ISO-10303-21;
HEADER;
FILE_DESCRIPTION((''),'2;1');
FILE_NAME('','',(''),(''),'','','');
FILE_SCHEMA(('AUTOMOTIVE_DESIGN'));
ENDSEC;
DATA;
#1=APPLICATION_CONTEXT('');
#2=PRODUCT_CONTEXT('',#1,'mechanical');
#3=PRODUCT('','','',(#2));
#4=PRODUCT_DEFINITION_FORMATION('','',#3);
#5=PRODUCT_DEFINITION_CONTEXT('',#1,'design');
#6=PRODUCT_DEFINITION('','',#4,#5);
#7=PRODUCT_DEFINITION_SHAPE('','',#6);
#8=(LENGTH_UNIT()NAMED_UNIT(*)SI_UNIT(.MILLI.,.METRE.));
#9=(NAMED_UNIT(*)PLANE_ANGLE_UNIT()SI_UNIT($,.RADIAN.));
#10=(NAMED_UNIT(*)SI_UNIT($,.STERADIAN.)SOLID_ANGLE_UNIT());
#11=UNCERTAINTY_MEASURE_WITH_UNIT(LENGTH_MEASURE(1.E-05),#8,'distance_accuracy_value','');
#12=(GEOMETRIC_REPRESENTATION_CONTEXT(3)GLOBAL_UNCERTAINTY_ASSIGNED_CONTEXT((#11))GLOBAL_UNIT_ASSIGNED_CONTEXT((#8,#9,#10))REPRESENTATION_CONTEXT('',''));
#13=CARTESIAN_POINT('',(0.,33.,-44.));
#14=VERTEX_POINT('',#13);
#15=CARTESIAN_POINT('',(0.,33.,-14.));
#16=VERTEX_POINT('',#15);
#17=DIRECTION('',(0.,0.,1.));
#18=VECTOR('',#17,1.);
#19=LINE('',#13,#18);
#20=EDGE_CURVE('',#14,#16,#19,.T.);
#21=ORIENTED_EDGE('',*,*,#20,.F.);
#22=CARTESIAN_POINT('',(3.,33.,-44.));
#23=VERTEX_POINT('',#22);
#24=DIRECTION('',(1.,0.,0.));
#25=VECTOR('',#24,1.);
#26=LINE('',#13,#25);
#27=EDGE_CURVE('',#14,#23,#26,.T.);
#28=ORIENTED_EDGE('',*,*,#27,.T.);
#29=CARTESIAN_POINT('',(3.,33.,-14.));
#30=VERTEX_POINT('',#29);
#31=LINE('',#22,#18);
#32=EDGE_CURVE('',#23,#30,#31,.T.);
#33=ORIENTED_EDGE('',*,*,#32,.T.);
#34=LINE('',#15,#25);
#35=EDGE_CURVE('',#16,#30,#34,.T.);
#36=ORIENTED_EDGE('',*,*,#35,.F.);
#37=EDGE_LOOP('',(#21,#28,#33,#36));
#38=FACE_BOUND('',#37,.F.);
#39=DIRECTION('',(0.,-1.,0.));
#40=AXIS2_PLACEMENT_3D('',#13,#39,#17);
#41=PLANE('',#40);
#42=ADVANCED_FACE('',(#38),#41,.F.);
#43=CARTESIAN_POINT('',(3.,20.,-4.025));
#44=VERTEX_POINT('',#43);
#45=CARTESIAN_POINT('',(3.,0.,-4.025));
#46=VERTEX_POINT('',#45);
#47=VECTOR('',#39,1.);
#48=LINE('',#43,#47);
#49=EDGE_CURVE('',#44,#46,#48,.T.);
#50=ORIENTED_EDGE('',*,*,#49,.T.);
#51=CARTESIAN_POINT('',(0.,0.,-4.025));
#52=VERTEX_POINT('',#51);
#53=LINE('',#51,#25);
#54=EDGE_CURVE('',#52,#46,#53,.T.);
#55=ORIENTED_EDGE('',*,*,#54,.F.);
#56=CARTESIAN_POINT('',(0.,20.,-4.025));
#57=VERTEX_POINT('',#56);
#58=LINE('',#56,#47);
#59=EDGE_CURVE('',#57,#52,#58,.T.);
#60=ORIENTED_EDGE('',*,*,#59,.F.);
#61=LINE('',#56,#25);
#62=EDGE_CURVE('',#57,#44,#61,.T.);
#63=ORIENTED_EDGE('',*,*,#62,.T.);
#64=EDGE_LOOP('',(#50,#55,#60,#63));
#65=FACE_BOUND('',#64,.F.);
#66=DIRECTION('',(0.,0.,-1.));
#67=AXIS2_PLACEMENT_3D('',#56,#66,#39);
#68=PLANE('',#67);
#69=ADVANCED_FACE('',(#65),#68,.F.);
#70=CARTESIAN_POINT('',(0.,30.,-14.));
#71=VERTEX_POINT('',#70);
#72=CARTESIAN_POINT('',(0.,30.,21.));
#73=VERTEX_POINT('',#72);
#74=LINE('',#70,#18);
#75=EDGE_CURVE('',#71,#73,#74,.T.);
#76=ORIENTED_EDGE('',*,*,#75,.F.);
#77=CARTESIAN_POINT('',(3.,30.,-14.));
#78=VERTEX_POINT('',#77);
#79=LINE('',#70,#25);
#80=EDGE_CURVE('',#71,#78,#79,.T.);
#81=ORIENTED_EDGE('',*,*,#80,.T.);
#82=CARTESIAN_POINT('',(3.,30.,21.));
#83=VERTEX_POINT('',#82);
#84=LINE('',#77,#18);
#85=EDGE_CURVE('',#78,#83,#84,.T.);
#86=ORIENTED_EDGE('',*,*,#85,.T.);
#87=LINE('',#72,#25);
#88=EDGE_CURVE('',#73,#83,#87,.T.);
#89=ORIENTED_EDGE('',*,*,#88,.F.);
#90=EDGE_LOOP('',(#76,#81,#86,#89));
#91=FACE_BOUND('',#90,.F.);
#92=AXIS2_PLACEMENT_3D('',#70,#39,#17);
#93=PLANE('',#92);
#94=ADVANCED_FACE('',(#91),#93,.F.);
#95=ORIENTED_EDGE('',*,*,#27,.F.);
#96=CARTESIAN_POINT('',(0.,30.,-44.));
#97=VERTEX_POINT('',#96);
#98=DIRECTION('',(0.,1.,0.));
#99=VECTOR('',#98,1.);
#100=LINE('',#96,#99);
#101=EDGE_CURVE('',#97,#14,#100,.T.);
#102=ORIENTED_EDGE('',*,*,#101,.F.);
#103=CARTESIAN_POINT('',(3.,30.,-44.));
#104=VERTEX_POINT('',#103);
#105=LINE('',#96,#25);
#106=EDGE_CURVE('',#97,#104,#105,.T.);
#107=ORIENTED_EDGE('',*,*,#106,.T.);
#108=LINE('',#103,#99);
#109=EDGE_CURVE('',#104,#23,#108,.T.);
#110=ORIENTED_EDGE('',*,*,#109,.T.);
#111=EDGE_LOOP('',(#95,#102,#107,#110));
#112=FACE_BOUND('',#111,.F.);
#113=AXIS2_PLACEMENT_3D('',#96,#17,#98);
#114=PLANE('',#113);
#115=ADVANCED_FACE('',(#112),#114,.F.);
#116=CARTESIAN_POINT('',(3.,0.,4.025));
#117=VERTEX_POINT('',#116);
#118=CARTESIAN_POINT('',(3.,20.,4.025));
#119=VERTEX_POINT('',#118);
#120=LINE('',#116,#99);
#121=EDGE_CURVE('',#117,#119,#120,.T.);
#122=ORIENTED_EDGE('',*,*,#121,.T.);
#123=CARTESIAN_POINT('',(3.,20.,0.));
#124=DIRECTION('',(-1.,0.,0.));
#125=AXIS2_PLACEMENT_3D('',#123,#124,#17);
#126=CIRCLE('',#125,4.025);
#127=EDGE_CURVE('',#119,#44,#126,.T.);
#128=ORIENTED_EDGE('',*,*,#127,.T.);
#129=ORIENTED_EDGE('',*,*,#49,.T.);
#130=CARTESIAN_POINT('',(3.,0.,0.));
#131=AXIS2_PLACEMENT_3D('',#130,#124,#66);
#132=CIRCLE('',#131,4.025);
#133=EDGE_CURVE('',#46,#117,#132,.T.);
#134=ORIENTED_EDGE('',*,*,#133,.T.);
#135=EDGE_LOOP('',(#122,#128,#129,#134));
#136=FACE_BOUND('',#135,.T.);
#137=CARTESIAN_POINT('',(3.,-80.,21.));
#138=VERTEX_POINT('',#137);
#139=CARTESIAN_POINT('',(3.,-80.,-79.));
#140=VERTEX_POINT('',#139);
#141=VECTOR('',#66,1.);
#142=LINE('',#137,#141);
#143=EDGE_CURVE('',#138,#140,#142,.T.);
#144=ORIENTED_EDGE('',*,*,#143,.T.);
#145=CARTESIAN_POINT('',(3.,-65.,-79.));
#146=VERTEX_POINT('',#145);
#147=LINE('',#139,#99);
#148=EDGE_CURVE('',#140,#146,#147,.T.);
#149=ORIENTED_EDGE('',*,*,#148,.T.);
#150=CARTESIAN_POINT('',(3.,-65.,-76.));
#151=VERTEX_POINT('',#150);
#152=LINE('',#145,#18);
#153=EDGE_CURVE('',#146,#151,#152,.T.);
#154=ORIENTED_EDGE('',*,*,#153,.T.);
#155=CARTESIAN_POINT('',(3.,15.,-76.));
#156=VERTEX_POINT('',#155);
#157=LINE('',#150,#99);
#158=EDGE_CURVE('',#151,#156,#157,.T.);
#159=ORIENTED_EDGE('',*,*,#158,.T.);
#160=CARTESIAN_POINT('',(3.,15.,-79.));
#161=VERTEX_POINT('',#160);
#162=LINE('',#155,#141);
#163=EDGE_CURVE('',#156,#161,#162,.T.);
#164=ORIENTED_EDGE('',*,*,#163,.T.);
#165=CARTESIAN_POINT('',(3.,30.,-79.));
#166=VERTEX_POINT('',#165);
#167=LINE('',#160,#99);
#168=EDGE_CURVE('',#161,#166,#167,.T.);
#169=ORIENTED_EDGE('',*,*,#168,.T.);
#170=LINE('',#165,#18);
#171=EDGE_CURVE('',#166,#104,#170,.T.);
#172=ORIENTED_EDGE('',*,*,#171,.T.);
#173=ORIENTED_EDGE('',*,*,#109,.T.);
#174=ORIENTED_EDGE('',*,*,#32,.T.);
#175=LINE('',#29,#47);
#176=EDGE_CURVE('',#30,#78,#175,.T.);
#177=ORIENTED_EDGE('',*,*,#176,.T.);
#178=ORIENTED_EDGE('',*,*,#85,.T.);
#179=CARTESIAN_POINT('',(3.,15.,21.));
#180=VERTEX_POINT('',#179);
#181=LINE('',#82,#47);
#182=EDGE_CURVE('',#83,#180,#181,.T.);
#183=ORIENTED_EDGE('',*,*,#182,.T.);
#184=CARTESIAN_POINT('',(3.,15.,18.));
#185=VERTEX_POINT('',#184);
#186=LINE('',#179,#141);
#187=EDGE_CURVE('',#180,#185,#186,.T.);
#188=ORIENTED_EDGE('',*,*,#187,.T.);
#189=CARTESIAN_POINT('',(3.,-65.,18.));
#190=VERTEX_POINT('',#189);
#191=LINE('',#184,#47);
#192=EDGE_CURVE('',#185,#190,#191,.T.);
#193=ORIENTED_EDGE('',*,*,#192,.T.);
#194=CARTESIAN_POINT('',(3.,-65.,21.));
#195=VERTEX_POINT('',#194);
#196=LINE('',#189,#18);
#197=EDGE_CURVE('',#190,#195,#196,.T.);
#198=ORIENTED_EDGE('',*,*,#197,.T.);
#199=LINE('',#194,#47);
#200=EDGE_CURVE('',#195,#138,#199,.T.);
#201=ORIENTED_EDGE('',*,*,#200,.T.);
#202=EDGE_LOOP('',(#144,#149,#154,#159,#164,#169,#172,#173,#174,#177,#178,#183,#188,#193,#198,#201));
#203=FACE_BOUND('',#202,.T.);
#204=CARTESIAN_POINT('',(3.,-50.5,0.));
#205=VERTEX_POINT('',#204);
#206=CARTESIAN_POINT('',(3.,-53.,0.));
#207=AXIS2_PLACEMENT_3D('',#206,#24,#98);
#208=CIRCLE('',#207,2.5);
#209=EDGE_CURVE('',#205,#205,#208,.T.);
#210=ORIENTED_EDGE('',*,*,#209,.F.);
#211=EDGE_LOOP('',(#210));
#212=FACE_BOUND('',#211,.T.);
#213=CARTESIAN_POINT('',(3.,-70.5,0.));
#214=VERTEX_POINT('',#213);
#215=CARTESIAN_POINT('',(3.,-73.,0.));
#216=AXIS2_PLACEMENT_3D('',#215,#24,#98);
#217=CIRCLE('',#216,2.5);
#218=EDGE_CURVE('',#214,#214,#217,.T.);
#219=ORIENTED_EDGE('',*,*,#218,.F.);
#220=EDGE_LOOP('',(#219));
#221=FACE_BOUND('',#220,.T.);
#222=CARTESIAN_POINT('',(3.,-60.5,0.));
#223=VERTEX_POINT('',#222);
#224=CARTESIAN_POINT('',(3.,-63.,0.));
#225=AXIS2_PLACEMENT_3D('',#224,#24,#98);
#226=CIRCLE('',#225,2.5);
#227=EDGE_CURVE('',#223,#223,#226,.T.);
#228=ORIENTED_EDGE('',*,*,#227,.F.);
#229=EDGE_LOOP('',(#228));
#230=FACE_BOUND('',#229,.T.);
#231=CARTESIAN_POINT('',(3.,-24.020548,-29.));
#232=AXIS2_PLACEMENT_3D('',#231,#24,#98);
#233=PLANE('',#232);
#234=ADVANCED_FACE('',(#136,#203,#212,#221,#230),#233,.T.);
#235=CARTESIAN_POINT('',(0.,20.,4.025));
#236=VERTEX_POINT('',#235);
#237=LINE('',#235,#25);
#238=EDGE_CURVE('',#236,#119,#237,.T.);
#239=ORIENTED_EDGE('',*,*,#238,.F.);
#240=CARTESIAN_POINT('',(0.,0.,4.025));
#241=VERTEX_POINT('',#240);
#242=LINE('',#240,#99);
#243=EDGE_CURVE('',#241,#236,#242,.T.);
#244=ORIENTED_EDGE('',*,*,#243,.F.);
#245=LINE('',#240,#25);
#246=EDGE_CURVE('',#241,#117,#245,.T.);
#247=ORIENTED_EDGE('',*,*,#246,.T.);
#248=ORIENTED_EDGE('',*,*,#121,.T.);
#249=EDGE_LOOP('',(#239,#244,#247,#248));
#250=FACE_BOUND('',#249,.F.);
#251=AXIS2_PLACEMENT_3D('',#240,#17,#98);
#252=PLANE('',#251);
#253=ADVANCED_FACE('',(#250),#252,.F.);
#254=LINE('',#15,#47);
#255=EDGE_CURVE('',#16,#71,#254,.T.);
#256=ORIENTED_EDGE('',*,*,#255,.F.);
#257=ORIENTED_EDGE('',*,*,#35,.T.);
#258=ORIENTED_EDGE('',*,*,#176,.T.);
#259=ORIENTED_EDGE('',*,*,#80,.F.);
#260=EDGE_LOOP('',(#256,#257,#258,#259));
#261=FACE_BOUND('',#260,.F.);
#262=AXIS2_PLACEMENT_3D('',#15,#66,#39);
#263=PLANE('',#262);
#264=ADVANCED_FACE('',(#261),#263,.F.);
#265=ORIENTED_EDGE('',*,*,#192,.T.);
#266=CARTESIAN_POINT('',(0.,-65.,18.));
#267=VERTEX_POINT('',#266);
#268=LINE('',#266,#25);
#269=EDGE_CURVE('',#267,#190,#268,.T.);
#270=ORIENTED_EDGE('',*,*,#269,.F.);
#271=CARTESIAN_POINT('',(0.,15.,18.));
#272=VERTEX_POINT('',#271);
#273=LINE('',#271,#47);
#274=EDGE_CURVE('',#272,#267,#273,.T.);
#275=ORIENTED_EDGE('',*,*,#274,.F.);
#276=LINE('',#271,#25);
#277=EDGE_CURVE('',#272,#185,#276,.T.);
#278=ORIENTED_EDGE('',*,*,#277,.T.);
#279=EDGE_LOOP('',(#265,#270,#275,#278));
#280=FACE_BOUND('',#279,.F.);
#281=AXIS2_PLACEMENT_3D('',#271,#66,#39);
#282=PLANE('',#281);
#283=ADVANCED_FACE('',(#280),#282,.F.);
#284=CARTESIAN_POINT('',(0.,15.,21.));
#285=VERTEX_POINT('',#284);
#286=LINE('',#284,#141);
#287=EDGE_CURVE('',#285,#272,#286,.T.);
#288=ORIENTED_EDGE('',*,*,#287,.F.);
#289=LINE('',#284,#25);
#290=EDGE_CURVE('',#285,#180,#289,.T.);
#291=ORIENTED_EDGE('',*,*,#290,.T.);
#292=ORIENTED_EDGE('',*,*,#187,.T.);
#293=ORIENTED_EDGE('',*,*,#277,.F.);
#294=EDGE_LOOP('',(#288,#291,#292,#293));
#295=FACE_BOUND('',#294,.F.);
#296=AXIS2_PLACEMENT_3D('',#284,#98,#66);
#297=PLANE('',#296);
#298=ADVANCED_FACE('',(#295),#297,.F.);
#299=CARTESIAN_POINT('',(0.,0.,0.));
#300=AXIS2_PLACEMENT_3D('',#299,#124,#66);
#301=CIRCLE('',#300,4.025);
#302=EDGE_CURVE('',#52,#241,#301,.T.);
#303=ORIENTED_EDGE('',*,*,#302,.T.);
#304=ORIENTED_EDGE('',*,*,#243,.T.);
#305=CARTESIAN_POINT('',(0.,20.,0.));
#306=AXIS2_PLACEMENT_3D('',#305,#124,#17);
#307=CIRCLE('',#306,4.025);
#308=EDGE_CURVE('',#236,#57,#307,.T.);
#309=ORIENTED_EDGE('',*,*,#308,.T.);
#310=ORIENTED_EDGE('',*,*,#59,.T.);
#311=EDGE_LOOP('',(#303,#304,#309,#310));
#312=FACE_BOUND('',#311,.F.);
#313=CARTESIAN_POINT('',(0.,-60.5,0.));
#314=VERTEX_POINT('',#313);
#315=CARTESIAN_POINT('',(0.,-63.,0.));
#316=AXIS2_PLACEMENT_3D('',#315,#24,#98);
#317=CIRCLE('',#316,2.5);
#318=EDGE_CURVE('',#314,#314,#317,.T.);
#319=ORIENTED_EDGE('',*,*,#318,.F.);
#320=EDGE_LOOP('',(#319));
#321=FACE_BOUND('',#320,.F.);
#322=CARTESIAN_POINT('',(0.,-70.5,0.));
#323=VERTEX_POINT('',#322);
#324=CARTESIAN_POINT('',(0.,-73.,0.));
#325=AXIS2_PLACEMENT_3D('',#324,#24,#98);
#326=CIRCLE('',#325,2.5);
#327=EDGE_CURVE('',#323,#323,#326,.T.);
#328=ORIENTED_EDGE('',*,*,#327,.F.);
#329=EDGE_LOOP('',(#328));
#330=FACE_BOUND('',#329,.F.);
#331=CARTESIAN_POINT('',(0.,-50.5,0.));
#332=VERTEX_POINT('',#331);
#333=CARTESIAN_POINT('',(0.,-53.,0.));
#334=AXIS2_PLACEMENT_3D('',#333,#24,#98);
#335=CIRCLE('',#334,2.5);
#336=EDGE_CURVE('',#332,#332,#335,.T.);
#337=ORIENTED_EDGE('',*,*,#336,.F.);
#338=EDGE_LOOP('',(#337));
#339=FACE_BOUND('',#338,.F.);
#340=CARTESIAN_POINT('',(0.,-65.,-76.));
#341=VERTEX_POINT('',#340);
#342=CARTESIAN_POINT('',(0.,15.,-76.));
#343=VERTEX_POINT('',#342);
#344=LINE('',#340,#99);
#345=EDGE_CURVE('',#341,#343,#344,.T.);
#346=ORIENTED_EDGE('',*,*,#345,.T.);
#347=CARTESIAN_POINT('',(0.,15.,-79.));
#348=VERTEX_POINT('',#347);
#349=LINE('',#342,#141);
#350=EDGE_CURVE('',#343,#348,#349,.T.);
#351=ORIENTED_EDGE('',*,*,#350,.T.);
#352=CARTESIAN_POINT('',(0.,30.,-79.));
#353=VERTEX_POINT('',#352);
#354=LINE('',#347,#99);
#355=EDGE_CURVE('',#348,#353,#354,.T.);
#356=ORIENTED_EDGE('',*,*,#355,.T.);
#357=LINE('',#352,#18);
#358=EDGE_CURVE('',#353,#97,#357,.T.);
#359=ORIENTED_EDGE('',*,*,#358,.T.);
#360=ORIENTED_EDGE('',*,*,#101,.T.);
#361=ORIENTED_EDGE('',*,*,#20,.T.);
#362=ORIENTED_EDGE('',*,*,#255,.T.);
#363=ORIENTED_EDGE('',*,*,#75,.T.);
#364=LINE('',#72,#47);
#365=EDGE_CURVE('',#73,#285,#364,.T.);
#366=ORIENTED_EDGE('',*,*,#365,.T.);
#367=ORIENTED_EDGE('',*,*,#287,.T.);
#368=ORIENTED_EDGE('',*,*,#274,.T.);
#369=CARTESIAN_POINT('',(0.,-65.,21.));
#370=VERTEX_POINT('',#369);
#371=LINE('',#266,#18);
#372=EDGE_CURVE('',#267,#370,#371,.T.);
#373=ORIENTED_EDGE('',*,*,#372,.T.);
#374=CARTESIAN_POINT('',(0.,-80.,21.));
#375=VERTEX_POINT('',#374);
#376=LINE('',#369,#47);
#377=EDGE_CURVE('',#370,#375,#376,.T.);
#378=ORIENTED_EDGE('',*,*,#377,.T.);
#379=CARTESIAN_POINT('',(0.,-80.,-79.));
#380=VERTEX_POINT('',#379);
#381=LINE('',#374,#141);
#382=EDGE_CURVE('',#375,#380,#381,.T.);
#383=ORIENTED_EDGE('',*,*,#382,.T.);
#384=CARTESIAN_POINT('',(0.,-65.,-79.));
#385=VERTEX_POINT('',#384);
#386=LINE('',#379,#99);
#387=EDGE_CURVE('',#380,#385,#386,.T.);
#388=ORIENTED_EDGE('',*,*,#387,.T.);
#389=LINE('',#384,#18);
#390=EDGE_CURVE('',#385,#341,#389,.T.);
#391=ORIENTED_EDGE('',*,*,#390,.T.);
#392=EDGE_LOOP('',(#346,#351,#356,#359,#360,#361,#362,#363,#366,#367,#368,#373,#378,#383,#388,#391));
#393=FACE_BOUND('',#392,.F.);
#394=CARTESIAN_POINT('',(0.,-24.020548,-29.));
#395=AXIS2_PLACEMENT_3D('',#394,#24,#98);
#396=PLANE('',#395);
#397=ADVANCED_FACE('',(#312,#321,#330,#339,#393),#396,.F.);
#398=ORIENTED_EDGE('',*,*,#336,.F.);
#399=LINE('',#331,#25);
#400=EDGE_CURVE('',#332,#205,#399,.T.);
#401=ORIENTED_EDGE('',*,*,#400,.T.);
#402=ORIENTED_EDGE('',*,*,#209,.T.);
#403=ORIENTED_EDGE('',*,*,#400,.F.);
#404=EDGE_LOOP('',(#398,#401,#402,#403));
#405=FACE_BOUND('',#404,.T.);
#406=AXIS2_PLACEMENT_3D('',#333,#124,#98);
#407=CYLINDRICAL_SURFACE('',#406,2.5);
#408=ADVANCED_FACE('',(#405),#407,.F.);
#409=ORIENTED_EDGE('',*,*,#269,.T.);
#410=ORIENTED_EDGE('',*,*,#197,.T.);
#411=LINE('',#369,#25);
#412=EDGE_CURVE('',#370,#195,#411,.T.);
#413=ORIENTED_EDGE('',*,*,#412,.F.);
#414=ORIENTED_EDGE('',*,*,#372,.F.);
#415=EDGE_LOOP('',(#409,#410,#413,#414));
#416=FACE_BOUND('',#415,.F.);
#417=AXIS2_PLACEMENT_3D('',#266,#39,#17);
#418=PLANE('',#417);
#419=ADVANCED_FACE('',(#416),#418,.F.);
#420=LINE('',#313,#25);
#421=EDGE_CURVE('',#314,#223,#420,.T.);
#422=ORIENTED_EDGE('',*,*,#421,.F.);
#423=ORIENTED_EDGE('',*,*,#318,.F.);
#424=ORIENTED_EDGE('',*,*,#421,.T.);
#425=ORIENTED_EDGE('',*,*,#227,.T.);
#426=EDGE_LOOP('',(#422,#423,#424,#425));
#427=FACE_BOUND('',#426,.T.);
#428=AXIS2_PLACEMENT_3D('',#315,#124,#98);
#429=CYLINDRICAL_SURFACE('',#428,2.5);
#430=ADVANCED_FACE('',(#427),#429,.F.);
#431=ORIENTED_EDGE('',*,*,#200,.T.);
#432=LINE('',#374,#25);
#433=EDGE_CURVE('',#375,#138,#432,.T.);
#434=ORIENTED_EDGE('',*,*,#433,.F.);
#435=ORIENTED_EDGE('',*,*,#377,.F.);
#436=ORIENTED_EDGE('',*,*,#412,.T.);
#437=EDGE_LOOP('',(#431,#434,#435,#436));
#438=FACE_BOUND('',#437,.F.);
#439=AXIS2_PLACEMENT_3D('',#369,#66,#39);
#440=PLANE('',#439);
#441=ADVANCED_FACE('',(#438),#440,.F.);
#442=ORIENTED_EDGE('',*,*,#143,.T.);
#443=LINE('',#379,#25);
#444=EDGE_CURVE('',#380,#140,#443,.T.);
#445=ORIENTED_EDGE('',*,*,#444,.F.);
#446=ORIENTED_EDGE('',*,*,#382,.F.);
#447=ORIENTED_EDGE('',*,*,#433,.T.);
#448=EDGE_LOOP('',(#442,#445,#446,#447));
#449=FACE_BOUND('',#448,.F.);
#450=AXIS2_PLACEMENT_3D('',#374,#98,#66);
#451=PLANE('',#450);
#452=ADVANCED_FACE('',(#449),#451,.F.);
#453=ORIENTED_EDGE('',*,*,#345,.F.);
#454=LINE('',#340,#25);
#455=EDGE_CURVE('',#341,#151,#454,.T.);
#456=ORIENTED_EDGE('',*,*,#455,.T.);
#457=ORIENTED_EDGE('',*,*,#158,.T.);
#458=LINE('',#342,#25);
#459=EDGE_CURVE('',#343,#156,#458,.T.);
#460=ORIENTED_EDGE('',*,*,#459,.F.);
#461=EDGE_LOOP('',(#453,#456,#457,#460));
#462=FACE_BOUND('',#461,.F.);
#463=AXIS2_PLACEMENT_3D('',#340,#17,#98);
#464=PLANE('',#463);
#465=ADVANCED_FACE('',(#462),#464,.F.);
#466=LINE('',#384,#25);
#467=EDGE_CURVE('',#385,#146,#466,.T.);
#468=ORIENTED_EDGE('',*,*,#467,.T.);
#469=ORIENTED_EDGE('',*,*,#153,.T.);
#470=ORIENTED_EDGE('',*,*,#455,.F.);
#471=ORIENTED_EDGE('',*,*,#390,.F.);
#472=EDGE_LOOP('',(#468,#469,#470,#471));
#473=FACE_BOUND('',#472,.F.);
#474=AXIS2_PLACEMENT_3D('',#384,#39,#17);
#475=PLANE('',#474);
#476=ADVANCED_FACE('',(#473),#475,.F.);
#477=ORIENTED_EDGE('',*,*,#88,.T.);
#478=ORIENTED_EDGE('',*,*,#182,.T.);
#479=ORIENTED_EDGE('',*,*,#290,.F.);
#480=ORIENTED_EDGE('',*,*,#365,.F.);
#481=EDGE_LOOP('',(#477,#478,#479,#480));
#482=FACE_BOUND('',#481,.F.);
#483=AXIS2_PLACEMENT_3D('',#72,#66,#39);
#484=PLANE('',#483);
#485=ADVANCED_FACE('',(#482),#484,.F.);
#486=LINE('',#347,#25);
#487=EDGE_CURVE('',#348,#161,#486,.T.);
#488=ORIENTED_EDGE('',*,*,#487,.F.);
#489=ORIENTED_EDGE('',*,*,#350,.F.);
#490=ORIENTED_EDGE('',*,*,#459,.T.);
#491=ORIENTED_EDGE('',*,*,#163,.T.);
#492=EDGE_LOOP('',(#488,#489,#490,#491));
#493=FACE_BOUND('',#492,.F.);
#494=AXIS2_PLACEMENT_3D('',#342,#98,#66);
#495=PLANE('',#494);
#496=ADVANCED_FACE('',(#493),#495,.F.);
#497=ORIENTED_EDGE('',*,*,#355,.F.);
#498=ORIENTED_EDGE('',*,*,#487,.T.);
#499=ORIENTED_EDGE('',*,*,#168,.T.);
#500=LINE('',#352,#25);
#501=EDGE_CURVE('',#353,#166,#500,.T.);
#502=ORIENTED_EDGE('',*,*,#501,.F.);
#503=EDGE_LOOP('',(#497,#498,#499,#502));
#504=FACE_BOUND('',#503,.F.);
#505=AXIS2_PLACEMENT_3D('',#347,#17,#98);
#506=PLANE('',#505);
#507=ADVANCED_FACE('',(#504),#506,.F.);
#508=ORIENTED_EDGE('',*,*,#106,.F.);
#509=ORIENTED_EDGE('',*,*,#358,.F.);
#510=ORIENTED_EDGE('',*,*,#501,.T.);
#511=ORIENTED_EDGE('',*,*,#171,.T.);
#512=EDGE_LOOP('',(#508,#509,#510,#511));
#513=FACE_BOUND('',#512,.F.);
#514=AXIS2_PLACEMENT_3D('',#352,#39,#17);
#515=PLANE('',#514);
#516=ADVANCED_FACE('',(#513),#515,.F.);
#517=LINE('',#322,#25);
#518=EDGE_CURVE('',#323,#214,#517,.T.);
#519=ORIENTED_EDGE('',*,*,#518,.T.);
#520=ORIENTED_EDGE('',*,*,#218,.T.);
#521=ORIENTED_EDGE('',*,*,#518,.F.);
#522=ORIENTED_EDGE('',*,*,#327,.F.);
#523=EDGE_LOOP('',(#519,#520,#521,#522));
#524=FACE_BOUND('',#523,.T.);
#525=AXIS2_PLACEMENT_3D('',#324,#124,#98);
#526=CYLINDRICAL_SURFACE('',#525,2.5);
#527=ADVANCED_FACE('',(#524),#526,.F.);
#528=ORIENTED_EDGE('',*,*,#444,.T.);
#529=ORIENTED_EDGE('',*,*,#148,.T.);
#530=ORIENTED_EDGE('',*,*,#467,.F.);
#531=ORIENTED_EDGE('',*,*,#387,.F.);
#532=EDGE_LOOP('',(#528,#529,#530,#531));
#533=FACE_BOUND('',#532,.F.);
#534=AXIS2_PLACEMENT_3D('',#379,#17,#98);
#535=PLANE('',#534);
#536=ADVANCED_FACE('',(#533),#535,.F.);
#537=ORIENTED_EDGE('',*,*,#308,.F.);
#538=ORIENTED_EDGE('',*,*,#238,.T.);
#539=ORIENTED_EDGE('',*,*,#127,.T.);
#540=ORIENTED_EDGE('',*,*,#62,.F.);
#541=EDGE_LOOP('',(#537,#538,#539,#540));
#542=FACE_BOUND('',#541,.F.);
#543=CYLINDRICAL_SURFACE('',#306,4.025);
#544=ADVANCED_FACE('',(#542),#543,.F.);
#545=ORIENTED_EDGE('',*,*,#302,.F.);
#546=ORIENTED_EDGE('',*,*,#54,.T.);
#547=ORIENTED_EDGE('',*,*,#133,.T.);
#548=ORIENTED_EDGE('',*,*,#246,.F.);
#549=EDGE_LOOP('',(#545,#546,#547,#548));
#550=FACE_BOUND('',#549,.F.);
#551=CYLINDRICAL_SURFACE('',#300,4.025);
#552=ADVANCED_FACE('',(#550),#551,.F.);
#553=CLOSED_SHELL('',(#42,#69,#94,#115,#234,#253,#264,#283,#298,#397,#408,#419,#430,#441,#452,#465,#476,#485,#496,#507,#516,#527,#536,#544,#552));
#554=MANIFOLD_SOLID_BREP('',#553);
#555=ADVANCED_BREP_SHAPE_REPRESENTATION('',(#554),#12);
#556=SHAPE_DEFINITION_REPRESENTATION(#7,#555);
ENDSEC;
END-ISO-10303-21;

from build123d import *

# Parameters (mm, degrees)
F0_R     = 2.5
F1_DEPTH = 3


with BuildPart() as f1:
    # F0 (on Right) → F1 (new body)
    with BuildSketch(Plane.YZ):
        Polygon((30, -14), (30, 21), (15, 21), (15, 18), (-65, 18), (-65, 21), (-80, 21), (-80, -79), (-65, -79), (-65, -76), (15, -76), (15, -79), (30, -79), (30, -44), (33, -44), (33, -14), align=None)
        with Locations((-73, 0)):
            Circle(F0_R, mode=Mode.SUBTRACT)
        with Locations((-63, 0)):
            Circle(F0_R, mode=Mode.SUBTRACT)
        with Locations((-53, 0)):
            Circle(F0_R, mode=Mode.SUBTRACT)
        with BuildLine():
            Line((0, 4.025), (20, 4.025))
            ThreePointArc((20, 4.025), (24.025, 0), (20, -4.025))
            Line((20, -4.025), (0, -4.025))
            ThreePointArc((0, -4.025), (-4.025, 0), (0, 4.025))
        make_face(mode=Mode.SUBTRACT)
    extrude(amount=F1_DEPTH)


solid = f1.part
